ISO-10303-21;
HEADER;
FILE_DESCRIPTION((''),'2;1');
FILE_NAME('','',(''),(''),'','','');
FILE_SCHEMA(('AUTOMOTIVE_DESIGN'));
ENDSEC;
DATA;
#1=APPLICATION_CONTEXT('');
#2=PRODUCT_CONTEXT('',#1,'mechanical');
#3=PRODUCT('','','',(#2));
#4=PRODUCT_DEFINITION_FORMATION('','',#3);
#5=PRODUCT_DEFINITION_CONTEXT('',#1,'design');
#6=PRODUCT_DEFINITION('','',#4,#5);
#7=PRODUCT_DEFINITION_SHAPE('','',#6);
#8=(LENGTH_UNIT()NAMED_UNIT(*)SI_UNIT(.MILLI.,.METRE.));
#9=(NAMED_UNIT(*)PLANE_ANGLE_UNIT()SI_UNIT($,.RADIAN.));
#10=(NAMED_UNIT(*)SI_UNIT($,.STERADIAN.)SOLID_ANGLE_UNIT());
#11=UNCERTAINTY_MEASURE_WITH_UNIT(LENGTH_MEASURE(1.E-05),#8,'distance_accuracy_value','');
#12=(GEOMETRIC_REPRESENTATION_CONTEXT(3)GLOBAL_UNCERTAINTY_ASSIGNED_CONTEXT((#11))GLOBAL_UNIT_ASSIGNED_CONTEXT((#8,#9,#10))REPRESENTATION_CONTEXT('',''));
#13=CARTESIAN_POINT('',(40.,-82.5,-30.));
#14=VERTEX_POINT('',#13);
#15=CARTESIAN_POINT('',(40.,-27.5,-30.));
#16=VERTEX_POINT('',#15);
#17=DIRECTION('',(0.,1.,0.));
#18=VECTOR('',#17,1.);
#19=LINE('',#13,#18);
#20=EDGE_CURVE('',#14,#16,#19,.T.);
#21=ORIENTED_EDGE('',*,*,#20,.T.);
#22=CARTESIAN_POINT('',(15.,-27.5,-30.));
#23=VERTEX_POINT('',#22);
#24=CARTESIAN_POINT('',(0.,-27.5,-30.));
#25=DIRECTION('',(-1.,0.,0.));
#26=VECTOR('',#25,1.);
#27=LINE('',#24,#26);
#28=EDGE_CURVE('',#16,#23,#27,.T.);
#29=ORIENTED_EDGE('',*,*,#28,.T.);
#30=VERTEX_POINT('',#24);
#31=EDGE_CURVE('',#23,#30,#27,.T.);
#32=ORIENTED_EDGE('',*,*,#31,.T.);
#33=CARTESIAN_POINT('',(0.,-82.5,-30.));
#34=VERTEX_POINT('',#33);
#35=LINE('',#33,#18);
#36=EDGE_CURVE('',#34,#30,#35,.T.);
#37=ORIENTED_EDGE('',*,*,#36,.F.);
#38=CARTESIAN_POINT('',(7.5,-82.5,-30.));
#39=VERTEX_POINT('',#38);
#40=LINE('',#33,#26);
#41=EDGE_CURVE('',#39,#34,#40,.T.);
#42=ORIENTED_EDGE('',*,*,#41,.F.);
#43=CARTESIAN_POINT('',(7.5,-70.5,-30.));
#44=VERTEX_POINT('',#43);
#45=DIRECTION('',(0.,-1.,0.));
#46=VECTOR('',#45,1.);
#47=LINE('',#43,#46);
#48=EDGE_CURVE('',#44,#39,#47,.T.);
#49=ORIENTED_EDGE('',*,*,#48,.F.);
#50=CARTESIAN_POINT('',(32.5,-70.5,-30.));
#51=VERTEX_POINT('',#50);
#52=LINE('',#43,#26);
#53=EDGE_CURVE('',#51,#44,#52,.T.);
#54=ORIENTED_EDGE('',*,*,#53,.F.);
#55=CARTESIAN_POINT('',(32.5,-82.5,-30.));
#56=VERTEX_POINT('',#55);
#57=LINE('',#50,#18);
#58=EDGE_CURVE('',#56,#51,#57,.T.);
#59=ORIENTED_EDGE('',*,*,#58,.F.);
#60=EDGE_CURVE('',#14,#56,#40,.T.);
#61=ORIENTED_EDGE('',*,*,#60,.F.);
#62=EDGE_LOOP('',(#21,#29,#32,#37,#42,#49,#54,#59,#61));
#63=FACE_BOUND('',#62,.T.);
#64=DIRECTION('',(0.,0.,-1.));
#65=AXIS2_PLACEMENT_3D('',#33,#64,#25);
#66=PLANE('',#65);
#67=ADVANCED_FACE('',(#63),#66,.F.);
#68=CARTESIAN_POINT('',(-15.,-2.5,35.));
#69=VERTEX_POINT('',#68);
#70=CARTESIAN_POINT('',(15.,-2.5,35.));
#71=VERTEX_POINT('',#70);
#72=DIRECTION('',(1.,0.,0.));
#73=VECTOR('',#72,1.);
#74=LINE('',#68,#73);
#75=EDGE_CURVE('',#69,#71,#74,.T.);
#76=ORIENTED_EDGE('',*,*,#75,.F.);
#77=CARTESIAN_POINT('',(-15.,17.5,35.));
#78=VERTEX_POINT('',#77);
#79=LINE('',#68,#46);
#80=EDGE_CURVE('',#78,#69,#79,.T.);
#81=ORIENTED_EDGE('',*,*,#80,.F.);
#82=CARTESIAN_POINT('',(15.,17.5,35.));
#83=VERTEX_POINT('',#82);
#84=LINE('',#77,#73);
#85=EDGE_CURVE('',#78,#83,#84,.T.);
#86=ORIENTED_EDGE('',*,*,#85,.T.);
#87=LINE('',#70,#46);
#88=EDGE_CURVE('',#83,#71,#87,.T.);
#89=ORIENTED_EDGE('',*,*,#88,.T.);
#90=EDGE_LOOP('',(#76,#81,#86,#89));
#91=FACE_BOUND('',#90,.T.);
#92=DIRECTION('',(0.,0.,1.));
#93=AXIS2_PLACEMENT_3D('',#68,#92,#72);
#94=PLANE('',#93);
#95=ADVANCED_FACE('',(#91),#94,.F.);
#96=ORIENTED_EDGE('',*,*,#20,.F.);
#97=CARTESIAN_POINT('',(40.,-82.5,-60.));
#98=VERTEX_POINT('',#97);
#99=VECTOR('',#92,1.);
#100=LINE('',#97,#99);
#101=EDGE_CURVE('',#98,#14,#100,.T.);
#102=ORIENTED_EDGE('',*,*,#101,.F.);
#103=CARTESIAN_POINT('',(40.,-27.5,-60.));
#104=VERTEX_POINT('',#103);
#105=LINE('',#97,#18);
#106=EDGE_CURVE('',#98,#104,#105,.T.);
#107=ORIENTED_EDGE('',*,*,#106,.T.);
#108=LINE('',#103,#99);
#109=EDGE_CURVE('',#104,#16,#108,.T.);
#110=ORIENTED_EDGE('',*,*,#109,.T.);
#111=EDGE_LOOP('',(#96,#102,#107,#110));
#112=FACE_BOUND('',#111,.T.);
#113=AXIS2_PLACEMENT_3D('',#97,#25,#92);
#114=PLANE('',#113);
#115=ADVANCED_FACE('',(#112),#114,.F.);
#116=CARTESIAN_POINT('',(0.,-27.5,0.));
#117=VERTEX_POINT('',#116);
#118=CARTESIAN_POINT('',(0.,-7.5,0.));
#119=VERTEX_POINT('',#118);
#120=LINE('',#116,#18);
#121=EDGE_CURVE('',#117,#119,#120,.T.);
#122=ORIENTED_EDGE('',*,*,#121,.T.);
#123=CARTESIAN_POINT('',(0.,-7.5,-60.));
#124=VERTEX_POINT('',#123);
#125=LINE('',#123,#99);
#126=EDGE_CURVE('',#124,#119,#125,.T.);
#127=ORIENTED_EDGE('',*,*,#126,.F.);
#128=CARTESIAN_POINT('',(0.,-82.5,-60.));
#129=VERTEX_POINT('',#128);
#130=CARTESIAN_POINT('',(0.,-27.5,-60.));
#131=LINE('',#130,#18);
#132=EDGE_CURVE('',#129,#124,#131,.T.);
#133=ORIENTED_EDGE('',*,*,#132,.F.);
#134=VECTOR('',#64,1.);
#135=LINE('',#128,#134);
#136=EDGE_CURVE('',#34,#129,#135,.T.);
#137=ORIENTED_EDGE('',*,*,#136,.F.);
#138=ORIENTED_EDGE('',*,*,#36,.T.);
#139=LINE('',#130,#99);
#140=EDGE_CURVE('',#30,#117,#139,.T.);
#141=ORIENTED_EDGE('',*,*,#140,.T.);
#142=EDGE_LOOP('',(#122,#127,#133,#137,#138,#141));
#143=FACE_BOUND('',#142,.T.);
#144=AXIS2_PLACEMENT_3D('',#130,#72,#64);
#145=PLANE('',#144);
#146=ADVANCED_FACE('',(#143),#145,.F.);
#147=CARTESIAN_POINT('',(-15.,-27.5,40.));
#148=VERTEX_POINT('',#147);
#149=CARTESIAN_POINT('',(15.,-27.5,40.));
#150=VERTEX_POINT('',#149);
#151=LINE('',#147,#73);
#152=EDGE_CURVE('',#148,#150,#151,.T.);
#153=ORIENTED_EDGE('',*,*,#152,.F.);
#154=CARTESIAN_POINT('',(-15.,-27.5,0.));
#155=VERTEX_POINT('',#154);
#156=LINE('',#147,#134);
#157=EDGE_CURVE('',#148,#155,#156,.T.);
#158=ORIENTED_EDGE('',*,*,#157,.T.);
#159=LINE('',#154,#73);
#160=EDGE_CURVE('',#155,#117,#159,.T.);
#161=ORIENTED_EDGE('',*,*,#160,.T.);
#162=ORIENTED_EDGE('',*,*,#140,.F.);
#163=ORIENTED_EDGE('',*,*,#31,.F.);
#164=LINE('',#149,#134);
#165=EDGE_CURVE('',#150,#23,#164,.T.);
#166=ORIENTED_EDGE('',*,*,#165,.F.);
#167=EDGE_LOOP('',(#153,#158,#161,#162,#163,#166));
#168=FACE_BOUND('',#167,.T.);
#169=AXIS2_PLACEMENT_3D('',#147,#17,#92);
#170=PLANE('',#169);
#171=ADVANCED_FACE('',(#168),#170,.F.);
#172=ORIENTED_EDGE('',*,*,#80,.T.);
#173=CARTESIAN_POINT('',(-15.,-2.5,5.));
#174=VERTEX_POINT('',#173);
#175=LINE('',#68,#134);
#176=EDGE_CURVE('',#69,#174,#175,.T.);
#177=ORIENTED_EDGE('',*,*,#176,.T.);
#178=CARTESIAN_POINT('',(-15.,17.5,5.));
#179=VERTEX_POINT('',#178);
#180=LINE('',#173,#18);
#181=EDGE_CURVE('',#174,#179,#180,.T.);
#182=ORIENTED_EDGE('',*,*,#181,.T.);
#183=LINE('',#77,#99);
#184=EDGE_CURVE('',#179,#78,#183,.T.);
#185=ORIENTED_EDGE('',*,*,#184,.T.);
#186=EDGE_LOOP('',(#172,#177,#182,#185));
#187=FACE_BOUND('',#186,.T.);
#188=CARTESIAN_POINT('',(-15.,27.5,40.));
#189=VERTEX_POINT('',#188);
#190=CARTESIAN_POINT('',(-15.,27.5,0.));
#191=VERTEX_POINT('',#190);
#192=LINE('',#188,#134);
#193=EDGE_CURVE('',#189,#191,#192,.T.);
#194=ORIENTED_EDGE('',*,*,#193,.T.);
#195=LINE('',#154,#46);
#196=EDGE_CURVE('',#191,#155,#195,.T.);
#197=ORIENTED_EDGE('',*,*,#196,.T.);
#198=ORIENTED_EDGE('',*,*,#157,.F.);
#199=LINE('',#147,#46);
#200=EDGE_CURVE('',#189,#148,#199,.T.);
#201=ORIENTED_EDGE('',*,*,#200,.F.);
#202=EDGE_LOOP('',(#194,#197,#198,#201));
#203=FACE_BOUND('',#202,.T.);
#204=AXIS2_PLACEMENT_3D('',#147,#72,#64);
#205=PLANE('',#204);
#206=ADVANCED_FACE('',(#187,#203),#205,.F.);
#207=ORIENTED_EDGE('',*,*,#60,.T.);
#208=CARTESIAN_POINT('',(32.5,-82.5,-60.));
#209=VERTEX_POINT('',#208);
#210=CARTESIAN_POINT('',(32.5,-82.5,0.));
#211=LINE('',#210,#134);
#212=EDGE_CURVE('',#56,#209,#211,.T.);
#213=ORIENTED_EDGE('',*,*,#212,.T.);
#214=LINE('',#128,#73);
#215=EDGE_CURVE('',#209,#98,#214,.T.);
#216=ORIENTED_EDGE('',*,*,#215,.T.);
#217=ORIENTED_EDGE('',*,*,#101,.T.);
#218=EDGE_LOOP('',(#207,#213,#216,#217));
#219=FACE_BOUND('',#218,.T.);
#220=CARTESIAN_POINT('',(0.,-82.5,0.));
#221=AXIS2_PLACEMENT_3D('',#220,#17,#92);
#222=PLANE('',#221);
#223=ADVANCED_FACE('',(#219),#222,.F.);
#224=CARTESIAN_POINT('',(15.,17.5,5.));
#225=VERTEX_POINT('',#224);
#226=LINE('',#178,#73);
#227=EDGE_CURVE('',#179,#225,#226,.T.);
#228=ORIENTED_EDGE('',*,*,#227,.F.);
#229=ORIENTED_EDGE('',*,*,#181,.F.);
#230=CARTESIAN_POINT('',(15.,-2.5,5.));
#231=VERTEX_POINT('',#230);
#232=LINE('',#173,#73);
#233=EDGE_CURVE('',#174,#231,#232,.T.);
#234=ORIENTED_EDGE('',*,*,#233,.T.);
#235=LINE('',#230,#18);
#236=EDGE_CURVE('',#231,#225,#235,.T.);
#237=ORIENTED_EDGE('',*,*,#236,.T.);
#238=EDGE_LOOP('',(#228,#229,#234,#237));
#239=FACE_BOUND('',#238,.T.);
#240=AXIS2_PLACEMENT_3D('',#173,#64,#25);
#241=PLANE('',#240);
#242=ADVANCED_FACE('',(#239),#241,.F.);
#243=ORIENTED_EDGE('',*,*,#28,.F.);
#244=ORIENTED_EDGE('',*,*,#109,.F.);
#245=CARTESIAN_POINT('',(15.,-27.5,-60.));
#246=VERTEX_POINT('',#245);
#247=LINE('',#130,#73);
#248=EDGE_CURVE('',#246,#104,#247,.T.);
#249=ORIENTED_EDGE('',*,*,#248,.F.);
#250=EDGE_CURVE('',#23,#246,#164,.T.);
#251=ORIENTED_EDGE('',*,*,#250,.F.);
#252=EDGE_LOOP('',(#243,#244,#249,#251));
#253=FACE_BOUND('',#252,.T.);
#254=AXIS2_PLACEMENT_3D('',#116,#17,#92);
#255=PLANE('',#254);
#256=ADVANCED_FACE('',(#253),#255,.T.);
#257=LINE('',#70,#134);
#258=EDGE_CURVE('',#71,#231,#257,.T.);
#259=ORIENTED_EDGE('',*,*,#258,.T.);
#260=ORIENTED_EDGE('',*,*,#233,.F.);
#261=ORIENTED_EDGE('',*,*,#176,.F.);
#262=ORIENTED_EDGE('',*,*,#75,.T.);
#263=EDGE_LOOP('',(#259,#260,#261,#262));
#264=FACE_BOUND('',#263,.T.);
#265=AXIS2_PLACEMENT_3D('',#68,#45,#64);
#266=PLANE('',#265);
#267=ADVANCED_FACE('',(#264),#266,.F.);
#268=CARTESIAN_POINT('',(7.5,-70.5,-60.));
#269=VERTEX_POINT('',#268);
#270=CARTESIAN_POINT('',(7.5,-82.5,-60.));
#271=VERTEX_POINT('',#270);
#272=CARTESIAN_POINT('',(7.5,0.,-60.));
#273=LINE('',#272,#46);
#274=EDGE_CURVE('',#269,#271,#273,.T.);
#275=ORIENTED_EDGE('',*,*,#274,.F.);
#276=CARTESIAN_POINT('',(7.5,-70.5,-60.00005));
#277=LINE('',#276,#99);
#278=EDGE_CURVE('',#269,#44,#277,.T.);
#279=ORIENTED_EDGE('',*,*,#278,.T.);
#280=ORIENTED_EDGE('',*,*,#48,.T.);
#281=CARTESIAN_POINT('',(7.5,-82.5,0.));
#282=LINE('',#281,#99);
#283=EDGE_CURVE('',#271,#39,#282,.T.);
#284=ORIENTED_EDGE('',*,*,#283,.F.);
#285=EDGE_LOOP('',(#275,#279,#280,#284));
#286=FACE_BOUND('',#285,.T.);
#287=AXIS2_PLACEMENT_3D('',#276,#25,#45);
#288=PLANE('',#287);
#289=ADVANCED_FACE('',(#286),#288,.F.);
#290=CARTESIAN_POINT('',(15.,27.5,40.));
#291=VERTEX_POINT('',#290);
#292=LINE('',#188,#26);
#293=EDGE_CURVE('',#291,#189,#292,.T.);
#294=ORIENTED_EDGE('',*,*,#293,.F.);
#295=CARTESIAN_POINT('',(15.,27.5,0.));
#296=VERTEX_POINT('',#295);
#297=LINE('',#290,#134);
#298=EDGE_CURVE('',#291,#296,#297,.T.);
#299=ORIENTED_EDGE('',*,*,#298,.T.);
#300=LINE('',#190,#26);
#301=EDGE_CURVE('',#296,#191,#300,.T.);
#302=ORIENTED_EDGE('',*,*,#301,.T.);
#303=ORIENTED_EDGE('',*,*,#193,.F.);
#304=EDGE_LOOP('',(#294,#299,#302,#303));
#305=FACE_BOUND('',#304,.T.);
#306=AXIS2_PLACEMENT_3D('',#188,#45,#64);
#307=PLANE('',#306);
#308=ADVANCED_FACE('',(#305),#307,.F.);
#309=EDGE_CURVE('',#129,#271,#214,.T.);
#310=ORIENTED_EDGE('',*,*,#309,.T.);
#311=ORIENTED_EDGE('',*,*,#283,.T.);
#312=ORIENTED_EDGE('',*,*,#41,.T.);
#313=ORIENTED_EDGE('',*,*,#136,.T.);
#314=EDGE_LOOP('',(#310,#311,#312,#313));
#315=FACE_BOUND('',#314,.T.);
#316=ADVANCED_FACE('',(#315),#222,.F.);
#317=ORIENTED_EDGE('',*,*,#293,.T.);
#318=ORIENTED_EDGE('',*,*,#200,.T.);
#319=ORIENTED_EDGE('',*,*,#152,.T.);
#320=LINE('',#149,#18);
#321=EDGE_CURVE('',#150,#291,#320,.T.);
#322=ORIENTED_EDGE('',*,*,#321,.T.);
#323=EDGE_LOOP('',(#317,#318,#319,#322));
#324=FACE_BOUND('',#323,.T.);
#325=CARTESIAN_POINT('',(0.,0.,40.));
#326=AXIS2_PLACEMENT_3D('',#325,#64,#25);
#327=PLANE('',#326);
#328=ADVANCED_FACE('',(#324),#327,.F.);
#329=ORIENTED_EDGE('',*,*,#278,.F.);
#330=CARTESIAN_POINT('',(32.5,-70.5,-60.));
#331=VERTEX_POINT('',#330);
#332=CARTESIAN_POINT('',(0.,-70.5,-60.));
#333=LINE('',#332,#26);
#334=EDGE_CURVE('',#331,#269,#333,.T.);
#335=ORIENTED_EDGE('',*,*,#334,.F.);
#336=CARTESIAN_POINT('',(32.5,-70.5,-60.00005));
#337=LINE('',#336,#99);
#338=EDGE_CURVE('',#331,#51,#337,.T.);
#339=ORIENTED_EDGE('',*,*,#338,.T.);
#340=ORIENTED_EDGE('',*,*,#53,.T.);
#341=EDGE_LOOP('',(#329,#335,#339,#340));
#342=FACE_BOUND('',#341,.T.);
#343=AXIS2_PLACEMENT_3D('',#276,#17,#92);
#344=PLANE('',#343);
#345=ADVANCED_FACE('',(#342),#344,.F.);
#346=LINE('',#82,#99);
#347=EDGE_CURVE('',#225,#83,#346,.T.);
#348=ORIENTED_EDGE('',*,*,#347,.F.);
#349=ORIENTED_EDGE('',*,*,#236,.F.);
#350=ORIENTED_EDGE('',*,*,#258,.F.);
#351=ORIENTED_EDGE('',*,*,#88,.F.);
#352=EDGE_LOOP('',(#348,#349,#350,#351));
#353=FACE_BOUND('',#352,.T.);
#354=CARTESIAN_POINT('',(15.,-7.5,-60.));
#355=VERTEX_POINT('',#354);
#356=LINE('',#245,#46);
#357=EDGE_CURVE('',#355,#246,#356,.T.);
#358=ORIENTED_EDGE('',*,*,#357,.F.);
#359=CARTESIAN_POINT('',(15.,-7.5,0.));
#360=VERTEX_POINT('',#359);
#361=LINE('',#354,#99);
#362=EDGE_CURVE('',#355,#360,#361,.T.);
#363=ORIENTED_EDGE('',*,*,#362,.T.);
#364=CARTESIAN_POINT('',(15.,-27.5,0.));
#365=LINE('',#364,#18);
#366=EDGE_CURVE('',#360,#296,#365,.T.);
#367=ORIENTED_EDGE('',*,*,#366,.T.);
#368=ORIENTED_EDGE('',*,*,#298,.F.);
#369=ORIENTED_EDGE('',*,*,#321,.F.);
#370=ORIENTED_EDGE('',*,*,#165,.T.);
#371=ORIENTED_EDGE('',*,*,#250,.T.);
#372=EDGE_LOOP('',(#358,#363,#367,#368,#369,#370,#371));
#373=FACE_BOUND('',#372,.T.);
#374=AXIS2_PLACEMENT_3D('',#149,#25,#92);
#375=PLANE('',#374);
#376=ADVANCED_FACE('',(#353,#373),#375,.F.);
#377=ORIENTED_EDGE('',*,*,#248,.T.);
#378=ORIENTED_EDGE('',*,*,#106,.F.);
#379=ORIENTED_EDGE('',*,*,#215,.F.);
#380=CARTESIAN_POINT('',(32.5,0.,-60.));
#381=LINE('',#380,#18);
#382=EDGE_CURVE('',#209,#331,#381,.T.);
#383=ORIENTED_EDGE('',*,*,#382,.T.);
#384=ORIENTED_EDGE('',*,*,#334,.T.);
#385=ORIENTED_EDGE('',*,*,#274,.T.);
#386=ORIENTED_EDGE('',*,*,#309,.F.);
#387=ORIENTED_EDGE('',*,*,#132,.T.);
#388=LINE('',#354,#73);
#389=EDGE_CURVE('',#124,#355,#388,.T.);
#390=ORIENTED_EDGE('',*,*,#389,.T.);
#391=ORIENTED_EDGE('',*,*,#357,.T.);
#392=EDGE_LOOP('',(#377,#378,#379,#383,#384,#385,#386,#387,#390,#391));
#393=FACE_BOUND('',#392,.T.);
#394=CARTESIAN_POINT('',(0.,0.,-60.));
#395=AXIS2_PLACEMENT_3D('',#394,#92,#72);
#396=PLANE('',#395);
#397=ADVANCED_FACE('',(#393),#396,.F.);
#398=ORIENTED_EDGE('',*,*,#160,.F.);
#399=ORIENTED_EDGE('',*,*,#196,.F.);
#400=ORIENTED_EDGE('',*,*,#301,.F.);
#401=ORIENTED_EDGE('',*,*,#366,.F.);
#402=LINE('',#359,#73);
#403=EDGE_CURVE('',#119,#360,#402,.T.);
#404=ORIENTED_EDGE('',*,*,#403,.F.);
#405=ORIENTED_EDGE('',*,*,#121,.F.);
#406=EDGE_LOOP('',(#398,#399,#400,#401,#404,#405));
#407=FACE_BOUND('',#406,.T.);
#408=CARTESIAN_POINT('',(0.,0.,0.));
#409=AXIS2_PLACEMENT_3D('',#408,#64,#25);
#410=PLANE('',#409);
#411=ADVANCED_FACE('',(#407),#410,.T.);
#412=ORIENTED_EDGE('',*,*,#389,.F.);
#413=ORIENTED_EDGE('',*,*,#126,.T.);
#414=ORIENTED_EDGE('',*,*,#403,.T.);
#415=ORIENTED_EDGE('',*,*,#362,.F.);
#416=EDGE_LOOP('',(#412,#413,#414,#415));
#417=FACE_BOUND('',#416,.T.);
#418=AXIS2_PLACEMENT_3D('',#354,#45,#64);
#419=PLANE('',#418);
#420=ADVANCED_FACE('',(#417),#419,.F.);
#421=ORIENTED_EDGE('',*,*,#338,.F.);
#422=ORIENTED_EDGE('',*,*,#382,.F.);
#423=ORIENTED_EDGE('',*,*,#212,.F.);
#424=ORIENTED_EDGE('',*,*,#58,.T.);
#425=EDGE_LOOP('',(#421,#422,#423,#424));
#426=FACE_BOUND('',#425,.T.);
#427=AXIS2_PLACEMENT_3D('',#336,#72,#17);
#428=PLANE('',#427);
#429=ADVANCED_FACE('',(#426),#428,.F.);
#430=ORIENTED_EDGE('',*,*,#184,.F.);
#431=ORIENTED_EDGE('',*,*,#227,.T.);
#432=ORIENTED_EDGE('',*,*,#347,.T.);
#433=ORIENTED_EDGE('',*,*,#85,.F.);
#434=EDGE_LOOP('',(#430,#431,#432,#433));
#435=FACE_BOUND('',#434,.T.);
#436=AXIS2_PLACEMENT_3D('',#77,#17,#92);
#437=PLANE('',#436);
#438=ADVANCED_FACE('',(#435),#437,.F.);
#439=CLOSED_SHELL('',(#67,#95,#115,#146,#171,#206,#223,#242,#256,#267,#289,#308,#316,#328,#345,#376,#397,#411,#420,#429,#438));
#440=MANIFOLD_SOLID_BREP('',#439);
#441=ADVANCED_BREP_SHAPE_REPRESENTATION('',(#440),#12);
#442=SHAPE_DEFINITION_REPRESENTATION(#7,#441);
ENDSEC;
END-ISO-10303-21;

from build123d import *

# Parameters (mm, degrees)
SKETCH_1_W          = 30
SKETCH_1_H          = 55
EXTRUDE_1_DEPTH     = 40
SKETCH_4_W          = 30
SKETCH_4_H          = 20
CUT_EXTRUDE_1_DEPTH = 58.063561053
SKETCH_5_W          = 15
SKETCH_5_H          = 20
EXTRUDE_3_DEPTH     = 60
SKETCH_6_W          = 40
SKETCH_6_H          = 30
EXTRUDE_4_DEPTH     = 55
SKETCH_7_W          = 25
SKETCH_7_H          = 12
CUT_EXTRUDE_2_DEPTH = 116.352719951


with BuildPart() as part:
    # Эскиз1 → Бобышка-Вытянуть1 (new body)
    with BuildSketch(Plane.XY):
        Rectangle(SKETCH_1_W, SKETCH_1_H)
    extrude(amount=EXTRUDE_1_DEPTH)

    # Эскиз4 → Вырез-Вытянуть1 (cut, through all)
    with BuildSketch(Plane(origin=(15, 0, 0), x_dir=(0, 0, -1), z_dir=(1, 0, 0))):
        with Locations((-20, 7.5)):
            Rectangle(SKETCH_4_W, SKETCH_4_H)
    extrude(amount=-CUT_EXTRUDE_1_DEPTH, mode=Mode.SUBTRACT)

    # Эскиз5 → Бобышка-Вытянуть3 (add)
    with BuildSketch(Plane(origin=(0, 0, 0), x_dir=(-1, 0, 0), z_dir=(0, 0, -1))):
        with Locations((-7.5, -17.5)):
            Rectangle(SKETCH_5_W, SKETCH_5_H)
    extrude(amount=EXTRUDE_3_DEPTH)

    # Эскиз6 → Бобышка-Вытянуть4 (add)
    with BuildSketch(Plane.XZ.offset(27.5)):
        with Locations((20, -45)):
            Rectangle(SKETCH_6_W, SKETCH_6_H)
    extrude(amount=EXTRUDE_4_DEPTH)

    # Эскиз7 → Вырез-Вытянуть2 (cut, through all)
    with BuildSketch(Plane.XY.offset(-30)):
        with Locations((20, -76.5)):
            Rectangle(SKETCH_7_W, SKETCH_7_H)
    extrude(amount=-CUT_EXTRUDE_2_DEPTH, mode=Mode.SUBTRACT)


solid = part.part
